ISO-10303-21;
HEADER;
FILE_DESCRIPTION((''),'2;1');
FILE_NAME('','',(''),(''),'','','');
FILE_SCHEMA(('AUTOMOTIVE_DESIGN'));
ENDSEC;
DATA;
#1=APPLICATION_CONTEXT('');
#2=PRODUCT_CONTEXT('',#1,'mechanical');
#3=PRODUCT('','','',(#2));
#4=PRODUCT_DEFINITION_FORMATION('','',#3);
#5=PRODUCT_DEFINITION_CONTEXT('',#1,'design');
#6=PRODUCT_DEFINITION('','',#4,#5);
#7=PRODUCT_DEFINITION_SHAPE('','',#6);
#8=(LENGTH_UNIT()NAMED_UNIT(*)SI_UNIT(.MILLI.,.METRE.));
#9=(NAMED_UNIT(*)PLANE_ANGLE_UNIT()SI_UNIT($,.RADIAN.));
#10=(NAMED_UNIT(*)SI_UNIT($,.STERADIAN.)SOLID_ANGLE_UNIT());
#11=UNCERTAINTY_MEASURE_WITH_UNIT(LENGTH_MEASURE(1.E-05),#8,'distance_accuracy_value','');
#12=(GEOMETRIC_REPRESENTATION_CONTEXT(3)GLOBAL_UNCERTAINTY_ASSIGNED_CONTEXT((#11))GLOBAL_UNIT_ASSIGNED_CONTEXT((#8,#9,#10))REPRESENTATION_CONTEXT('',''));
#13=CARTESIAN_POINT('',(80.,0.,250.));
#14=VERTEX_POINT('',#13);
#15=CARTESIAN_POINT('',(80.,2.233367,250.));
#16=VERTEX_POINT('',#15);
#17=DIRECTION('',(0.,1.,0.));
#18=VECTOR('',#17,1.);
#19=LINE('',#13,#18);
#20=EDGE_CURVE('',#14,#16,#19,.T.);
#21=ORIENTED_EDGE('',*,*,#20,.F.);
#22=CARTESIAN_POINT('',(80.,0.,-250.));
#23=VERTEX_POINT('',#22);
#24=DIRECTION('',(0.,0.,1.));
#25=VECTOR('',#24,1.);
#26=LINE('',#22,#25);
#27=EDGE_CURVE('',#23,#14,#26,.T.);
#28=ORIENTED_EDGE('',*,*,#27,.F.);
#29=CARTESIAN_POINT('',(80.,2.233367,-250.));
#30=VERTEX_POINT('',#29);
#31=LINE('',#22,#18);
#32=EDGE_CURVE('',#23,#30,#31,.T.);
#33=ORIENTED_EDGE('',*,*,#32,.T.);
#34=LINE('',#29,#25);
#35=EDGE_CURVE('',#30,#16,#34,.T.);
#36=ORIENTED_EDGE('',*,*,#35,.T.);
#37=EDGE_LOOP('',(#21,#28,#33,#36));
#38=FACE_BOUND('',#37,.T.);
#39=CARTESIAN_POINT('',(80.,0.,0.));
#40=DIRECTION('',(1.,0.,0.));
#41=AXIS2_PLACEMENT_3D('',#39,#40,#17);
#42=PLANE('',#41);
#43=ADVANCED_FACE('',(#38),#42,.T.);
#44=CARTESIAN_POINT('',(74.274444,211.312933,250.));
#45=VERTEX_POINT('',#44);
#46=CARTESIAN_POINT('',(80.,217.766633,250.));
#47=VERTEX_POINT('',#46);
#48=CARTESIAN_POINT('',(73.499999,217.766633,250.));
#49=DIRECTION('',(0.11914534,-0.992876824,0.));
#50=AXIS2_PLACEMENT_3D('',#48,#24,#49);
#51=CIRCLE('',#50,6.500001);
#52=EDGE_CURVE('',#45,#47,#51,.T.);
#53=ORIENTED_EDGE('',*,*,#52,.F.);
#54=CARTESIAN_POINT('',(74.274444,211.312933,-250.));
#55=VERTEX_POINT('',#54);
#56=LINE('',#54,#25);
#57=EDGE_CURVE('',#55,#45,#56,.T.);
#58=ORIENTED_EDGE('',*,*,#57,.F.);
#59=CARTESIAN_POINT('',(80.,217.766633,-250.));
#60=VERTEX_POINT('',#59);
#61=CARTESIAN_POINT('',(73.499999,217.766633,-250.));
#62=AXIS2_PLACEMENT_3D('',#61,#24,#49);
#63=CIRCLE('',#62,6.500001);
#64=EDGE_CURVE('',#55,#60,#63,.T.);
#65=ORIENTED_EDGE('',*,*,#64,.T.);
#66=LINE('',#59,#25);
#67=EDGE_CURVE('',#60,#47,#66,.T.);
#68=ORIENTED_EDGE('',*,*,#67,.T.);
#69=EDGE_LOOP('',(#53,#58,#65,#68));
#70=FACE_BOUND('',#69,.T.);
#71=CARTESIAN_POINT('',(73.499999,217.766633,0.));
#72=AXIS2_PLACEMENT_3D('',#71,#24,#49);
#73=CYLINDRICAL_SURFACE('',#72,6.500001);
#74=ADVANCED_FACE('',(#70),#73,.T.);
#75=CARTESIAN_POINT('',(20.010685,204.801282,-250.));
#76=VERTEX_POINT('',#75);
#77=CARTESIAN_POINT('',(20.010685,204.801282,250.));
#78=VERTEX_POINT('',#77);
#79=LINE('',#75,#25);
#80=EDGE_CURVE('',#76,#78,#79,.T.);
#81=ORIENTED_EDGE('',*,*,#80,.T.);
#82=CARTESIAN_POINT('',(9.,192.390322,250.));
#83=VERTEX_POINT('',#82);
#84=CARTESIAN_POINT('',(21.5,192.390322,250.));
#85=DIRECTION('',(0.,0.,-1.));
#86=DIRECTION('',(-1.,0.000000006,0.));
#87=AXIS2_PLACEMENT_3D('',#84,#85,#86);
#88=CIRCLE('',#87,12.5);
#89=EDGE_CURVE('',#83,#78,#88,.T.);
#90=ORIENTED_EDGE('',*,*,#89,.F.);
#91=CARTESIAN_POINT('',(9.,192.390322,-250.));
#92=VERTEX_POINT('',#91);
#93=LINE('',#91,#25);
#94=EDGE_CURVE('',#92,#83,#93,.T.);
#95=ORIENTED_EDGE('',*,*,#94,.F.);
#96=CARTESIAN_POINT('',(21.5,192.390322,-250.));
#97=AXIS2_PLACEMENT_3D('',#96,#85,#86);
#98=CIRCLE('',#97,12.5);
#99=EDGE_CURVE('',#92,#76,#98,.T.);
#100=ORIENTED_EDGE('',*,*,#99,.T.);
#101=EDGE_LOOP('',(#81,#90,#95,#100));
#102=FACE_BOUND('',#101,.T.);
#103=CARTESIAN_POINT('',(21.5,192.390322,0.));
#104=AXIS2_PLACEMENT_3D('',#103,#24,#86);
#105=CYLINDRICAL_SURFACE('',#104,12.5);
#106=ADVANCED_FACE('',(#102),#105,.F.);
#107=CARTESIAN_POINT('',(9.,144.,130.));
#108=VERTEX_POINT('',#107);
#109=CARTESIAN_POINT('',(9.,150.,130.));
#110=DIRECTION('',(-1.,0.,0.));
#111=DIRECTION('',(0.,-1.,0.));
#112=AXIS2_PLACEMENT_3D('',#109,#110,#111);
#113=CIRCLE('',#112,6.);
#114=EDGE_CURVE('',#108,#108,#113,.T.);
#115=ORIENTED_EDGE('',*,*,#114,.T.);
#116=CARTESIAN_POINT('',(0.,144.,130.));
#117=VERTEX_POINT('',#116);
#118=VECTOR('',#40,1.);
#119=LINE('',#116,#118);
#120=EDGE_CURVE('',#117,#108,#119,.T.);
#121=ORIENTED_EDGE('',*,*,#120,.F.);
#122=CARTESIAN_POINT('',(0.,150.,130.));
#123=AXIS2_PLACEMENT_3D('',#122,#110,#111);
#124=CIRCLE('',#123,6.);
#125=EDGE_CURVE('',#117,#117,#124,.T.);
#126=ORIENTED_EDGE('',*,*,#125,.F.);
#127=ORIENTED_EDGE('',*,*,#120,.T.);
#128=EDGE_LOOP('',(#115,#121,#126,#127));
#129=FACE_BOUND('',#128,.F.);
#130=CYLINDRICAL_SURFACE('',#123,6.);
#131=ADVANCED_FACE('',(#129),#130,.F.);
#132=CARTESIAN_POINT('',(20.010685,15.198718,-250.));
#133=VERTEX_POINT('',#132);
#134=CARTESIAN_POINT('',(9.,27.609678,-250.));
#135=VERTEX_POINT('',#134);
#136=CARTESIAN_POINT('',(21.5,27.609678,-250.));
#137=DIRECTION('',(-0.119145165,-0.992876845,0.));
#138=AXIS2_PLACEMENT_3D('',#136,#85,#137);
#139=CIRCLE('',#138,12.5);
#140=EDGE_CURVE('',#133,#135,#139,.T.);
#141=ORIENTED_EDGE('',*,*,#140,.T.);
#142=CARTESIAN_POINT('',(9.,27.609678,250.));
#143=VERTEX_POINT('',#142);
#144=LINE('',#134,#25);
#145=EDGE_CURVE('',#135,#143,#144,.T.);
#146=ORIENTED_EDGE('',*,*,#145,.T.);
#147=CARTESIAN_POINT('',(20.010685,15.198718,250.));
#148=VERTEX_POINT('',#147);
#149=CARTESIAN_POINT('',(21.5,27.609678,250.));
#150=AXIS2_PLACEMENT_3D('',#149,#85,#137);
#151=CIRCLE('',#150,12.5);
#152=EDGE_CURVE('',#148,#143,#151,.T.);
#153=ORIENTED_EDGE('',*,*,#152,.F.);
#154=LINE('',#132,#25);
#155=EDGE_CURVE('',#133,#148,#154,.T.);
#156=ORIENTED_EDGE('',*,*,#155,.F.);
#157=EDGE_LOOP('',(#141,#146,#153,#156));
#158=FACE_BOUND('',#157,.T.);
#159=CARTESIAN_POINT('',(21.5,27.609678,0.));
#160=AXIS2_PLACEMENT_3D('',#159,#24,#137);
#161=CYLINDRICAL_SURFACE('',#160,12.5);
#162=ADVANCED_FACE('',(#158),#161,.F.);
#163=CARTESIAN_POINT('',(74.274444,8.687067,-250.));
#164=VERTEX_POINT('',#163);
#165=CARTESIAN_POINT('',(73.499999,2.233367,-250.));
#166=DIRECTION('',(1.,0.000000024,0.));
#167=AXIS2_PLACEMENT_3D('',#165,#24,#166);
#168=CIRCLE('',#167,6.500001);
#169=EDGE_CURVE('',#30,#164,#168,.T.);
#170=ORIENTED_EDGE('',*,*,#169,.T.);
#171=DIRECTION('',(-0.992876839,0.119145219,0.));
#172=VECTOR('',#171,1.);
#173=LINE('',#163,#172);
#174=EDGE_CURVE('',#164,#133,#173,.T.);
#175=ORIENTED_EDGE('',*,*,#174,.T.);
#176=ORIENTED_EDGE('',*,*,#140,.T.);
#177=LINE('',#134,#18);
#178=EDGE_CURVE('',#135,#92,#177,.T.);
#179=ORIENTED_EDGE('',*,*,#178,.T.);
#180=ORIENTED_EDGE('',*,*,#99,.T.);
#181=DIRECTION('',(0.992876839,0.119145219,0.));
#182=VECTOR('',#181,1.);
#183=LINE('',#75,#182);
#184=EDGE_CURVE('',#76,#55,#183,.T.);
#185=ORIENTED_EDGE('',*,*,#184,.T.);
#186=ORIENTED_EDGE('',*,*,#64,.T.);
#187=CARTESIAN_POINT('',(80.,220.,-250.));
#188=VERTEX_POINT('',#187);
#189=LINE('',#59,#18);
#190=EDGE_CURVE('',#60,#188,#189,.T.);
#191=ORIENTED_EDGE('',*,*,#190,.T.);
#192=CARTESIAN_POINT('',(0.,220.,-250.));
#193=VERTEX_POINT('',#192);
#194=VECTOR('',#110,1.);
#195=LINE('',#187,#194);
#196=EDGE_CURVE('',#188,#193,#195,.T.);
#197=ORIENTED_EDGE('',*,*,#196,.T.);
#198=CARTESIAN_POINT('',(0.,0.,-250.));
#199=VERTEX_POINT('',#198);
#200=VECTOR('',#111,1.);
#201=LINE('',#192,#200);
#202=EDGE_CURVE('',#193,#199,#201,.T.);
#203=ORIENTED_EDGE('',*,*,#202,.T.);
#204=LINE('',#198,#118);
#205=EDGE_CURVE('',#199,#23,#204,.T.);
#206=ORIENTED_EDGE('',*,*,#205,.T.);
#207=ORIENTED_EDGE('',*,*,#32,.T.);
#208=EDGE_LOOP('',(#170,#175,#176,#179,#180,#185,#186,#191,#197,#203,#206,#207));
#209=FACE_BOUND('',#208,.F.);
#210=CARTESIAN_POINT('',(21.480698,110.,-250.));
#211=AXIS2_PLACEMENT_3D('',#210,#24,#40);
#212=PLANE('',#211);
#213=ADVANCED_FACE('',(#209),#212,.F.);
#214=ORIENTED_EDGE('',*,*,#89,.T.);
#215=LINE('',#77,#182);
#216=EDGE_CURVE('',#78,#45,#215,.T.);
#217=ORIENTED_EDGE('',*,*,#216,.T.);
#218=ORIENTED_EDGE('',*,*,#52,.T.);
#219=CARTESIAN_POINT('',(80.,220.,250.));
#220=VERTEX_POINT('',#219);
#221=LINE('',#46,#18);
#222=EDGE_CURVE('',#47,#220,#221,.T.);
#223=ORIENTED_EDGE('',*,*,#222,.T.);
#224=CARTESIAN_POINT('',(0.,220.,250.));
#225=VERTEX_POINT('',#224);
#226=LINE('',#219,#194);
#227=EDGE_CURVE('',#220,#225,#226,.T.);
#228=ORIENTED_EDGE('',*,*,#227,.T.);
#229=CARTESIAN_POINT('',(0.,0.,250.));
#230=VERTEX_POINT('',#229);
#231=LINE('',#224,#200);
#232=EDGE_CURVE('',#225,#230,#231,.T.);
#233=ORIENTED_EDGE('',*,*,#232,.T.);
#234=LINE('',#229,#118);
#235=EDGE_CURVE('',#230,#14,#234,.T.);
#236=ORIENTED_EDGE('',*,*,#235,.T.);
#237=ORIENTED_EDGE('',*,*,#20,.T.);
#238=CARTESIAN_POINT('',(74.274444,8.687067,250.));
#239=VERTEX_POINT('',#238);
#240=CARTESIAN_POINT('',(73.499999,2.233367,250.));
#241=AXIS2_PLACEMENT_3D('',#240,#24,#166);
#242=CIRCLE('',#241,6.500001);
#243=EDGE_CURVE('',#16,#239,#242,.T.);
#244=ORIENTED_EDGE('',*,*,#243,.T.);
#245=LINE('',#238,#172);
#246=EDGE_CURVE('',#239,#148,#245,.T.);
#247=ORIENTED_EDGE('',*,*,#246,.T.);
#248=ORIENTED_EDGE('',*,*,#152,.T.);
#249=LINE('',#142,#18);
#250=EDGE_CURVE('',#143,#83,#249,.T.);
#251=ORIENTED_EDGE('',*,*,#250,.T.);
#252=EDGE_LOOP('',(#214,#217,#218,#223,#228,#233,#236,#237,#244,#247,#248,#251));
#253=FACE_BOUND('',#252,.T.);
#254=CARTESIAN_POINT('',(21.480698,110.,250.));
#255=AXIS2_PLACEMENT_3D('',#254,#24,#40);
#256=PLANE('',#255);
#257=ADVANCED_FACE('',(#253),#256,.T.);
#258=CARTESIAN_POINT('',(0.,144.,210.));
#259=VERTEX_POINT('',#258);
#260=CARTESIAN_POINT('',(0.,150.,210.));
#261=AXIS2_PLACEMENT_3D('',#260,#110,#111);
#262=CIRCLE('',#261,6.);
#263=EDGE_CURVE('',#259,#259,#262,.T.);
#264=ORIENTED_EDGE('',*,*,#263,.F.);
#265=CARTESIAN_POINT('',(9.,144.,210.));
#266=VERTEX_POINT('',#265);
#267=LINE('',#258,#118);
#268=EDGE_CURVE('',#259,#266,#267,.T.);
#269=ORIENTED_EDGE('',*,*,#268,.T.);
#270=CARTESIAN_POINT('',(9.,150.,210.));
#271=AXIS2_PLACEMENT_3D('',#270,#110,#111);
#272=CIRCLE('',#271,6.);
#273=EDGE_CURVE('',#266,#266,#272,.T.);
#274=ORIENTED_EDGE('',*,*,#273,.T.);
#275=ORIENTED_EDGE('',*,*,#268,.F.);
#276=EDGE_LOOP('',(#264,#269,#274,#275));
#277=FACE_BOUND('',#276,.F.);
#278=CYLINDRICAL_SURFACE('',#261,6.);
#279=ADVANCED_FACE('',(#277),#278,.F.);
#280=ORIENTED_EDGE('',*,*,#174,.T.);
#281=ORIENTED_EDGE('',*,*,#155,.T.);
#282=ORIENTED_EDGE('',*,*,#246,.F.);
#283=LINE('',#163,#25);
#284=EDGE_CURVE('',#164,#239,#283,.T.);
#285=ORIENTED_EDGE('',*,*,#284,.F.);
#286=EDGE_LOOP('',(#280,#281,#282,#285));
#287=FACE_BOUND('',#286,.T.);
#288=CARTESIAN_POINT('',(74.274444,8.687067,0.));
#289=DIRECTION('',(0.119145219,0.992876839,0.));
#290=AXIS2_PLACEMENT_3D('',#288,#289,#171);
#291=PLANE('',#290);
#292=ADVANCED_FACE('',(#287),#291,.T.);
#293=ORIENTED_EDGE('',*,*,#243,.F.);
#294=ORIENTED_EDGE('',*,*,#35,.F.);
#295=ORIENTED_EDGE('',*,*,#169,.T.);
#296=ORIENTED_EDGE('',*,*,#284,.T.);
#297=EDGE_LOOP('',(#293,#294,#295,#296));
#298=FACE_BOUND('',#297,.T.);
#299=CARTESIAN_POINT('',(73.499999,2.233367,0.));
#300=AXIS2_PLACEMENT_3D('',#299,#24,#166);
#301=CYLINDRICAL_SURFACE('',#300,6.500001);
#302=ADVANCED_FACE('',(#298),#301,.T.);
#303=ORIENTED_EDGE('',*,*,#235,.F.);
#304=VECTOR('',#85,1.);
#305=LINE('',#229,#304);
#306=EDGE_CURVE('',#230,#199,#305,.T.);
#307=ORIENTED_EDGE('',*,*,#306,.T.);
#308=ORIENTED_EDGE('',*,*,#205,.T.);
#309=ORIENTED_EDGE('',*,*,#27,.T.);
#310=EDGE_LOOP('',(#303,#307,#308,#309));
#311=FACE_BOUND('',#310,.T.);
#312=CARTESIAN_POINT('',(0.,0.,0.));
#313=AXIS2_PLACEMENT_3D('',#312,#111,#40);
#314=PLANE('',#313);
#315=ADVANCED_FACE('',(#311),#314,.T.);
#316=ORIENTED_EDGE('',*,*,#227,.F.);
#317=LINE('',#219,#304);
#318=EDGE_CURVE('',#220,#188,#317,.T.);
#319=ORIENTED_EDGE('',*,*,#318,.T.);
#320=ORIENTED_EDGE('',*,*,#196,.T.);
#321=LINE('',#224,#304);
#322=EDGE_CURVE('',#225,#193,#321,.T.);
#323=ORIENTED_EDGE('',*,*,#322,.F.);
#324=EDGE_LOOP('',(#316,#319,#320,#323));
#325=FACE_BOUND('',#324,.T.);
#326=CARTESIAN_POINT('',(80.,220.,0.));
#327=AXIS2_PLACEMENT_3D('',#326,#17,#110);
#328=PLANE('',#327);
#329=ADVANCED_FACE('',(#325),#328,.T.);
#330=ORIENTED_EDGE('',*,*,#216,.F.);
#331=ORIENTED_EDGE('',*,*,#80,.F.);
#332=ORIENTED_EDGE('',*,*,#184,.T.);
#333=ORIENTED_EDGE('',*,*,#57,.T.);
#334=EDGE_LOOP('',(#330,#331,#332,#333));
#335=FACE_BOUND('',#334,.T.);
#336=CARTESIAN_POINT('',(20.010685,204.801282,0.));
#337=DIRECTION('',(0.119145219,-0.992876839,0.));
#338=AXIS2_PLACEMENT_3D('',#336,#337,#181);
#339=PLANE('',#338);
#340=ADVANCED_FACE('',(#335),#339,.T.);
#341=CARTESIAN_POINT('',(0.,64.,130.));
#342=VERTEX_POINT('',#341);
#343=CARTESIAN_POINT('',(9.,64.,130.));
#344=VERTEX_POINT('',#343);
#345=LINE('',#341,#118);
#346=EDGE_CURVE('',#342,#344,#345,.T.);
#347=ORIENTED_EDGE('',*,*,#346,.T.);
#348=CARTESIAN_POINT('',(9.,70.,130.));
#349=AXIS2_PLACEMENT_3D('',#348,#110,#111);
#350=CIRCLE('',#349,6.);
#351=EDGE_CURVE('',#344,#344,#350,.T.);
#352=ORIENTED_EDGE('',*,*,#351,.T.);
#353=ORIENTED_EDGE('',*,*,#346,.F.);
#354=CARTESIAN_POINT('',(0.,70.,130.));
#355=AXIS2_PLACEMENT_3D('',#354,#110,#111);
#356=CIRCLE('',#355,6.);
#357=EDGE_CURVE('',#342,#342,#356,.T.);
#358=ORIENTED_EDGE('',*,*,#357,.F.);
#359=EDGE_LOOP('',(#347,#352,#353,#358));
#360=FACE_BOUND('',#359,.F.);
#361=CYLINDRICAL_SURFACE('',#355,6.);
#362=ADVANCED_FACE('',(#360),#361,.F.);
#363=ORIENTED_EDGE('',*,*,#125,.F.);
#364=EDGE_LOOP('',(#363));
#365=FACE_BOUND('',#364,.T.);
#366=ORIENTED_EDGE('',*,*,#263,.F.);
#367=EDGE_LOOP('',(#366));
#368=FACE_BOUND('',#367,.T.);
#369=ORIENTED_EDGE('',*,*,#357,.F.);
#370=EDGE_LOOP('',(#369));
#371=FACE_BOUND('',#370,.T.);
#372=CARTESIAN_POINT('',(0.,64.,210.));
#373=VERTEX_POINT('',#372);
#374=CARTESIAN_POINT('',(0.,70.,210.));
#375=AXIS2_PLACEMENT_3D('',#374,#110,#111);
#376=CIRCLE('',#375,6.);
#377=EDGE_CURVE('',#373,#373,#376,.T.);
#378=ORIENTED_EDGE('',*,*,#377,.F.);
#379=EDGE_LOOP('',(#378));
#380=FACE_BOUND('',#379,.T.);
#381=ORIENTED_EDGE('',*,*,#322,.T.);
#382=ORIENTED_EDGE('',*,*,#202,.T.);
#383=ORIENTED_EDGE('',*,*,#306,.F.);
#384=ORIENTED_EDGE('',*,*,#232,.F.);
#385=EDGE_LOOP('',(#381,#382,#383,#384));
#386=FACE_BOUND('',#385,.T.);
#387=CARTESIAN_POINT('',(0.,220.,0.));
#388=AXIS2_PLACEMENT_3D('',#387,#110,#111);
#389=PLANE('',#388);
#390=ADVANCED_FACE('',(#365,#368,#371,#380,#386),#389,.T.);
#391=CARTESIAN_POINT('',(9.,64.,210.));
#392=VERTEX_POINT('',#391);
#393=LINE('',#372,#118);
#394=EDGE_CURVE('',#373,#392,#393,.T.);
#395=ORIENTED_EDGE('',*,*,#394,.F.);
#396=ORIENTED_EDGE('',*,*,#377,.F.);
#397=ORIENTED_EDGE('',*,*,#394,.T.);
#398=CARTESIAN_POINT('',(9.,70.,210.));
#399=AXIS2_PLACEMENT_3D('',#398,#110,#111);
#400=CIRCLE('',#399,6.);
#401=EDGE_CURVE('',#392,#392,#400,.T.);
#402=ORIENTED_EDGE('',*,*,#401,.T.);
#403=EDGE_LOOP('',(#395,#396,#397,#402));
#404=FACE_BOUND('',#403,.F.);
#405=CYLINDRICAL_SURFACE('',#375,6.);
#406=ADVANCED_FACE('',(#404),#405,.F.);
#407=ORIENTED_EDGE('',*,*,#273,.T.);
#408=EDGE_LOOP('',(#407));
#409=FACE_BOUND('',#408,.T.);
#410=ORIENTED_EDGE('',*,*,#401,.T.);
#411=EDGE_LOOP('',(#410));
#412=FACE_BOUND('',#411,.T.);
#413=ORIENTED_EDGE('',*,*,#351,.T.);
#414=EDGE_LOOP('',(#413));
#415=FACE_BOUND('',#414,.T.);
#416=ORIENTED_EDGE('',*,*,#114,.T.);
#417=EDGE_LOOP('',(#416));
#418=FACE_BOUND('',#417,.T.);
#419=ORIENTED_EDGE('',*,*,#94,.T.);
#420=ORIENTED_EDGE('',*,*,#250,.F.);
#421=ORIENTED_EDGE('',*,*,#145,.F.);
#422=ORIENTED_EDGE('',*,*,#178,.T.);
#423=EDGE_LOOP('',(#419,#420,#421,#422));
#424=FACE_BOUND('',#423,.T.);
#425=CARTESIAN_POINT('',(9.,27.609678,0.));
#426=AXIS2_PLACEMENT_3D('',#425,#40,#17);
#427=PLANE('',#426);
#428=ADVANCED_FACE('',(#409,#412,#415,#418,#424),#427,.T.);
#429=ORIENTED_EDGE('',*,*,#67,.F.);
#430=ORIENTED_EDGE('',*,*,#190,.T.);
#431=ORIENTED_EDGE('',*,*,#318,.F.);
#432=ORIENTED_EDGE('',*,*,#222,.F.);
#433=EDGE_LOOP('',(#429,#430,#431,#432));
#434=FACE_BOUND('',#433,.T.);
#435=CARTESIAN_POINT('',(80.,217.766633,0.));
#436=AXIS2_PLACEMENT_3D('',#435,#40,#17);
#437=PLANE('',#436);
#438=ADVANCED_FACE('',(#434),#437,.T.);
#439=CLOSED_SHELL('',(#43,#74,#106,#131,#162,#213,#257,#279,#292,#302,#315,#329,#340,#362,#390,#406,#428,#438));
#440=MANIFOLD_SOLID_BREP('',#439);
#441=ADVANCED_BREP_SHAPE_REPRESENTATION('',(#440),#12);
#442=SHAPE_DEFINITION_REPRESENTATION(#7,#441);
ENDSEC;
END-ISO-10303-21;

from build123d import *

# Parameters (mm, degrees)
F1_DEPTH = 250
F2_R     = 6
F3_DEPTH = 80.001


with BuildPart() as f1:
    # F0 (on Top) → F1 (new body, symmetric)
    with BuildSketch(Plane.XY):
        with BuildLine():
            Line((0, 110), (0, 0))
            Line((0, 0), (80, 0))
            Line((80, 0), (80, 2.233367))
            ThreePointArc((80, 2.233367), (78.362298, 6.547073), (74.274444, 8.687067))
            Line((74.274444, 8.687067), (20.010685, 15.198718))
            ThreePointArc((20.010685, 15.198718), (12.149427, 19.31409), (9, 27.609678))
            Line((9, 27.609678), (9, 110))
            Line((9, 110), (9, 192.390322))
            ThreePointArc((9, 192.390322), (12.149427, 200.68591), (20.010685, 204.801282))
            Line((20.010685, 204.801282), (74.274444, 211.312933))
            ThreePointArc((74.274444, 211.312933), (78.362298, 213.452927), (80, 217.766633))
            Line((80, 217.766633), (80, 220))
            Line((80, 220), (0, 220))
            Line((0, 220), (0, 110))
        make_face()
    extrude(amount=F1_DEPTH, both=True)

    # F2 (on face) → F3 (cut, through all)
    with BuildSketch(Plane(origin=(0, 0, 0), x_dir=(0, -1, 0), z_dir=(-1, 0, 0))):
        with Locations((-70, 210)):
            Circle(F2_R)
        with Locations((-150, 210)):
            Circle(F2_R)
        with Locations((-70, 130)):
            Circle(F2_R)
        with Locations((-150, 130)):
            Circle(F2_R)
    extrude(amount=-F3_DEPTH, mode=Mode.SUBTRACT)


solid = f1.part
